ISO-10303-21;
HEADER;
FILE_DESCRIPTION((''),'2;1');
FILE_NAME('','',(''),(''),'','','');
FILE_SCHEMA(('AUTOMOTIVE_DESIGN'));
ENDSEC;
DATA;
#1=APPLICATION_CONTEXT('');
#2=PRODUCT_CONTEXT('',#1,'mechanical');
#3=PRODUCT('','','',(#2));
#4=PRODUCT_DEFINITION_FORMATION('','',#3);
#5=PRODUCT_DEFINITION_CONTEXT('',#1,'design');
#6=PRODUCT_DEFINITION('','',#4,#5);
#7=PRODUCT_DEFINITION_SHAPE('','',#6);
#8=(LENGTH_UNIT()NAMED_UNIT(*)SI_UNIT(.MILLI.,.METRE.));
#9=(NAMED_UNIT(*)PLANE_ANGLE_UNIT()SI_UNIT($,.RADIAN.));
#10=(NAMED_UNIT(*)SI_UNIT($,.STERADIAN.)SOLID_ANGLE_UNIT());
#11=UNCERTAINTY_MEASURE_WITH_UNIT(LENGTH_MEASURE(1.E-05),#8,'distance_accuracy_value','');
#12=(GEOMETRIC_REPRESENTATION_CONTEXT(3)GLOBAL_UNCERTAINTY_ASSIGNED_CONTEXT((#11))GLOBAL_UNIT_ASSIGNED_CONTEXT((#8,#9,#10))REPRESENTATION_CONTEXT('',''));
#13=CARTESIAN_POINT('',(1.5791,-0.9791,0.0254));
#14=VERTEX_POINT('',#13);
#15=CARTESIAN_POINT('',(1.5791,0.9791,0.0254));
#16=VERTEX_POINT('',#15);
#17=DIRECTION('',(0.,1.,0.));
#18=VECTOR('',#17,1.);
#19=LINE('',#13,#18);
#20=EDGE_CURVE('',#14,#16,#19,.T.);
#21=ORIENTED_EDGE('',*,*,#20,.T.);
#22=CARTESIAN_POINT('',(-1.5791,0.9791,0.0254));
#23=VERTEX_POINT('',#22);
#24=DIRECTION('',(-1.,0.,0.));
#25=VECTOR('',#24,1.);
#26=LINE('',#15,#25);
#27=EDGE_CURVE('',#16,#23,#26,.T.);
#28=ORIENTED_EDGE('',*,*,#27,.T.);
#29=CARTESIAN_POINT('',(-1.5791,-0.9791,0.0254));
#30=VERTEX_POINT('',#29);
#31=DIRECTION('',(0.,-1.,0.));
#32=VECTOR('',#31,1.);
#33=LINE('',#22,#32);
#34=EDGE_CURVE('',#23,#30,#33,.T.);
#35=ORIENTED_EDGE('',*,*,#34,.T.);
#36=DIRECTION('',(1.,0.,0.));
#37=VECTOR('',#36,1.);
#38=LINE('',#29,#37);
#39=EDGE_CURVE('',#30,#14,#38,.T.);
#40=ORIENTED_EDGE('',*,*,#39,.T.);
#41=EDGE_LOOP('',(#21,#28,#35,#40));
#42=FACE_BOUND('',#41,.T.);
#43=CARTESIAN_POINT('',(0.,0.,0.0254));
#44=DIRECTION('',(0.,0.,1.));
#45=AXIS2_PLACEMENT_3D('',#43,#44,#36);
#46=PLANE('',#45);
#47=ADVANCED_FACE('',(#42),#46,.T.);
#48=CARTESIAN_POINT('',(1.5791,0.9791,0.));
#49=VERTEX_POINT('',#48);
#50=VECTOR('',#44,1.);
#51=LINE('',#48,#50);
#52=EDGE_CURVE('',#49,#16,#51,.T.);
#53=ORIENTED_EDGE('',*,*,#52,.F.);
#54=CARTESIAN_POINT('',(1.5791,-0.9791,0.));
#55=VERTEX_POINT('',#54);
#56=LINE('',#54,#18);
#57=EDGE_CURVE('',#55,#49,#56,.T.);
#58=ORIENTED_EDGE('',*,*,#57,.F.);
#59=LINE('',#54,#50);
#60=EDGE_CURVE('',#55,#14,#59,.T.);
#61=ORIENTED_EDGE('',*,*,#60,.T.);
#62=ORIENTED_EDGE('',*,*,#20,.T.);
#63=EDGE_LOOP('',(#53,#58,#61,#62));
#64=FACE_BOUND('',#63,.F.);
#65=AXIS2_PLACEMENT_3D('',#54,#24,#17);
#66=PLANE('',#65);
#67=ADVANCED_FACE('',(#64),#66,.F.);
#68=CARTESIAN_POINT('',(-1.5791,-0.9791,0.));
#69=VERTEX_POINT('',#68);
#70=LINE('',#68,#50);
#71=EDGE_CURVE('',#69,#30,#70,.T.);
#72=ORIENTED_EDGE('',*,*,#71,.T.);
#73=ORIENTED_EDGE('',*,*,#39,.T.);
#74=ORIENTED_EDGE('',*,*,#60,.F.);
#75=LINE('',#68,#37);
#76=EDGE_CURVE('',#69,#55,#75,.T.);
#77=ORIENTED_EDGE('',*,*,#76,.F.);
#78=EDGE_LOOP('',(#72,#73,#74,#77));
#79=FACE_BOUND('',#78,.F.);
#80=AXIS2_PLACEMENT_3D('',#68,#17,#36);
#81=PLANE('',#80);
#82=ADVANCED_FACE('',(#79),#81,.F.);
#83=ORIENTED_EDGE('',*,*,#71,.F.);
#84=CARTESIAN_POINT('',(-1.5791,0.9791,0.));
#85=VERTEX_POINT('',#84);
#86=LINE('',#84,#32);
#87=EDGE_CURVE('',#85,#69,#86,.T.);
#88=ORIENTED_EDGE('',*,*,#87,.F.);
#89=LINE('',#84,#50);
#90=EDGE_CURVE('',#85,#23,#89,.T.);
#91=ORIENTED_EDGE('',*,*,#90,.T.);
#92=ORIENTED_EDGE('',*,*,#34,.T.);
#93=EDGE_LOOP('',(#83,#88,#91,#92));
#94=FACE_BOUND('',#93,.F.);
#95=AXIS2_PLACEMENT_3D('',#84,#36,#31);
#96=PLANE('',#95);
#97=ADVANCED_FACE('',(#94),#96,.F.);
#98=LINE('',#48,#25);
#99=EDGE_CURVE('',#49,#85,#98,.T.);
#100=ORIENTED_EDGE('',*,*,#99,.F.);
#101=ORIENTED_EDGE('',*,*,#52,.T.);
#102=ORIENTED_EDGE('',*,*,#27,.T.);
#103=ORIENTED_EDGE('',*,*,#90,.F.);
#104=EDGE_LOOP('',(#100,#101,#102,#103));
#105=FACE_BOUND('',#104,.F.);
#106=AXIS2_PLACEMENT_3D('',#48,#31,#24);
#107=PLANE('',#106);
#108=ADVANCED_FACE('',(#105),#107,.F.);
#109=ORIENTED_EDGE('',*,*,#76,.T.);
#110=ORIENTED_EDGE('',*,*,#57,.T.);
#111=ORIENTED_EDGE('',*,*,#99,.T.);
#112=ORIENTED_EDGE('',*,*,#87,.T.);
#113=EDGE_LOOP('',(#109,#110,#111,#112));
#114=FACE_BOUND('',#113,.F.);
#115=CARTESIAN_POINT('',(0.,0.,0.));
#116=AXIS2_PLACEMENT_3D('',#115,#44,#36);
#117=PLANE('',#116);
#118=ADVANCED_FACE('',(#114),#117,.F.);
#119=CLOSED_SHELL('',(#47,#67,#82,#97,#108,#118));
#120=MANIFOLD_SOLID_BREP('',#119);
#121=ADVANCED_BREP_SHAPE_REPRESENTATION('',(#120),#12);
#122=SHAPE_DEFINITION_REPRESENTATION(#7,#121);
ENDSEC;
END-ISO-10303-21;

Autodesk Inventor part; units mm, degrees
ref_plane "YZ Plane" through (0, 0, 0) normal (1, 0, 0) x (0, 1, 0)
ref_plane "XZ Plane" through (0, 0, 0) normal (0, 1, 0) x (-1, 0, 0)
ref_plane "XY Plane" through (0, 0, 0) normal (0, 0, 1) x (1, 0, 0)
sketch "Sketch1" plane through (0, 0, 0) normal (0, 0, 1) x (1, 0, 0)
  line L0 (-1.5791, -0.9791) -> (1.5791, -0.9791)
  line L1 (1.5791, -0.9791) -> (1.5791, 0.9791)
  line L2 (1.5791, 0.9791) -> (-1.5791, 0.9791)
  line L3 (-1.5791, 0.9791) -> (-1.5791, -0.9791)
extrude "Extrusion1" add sketch "Sketch1" along normal blind 0.0254
properties part number "FP-C0603C-CF-IPC_B_CMP-001-00126-1"
